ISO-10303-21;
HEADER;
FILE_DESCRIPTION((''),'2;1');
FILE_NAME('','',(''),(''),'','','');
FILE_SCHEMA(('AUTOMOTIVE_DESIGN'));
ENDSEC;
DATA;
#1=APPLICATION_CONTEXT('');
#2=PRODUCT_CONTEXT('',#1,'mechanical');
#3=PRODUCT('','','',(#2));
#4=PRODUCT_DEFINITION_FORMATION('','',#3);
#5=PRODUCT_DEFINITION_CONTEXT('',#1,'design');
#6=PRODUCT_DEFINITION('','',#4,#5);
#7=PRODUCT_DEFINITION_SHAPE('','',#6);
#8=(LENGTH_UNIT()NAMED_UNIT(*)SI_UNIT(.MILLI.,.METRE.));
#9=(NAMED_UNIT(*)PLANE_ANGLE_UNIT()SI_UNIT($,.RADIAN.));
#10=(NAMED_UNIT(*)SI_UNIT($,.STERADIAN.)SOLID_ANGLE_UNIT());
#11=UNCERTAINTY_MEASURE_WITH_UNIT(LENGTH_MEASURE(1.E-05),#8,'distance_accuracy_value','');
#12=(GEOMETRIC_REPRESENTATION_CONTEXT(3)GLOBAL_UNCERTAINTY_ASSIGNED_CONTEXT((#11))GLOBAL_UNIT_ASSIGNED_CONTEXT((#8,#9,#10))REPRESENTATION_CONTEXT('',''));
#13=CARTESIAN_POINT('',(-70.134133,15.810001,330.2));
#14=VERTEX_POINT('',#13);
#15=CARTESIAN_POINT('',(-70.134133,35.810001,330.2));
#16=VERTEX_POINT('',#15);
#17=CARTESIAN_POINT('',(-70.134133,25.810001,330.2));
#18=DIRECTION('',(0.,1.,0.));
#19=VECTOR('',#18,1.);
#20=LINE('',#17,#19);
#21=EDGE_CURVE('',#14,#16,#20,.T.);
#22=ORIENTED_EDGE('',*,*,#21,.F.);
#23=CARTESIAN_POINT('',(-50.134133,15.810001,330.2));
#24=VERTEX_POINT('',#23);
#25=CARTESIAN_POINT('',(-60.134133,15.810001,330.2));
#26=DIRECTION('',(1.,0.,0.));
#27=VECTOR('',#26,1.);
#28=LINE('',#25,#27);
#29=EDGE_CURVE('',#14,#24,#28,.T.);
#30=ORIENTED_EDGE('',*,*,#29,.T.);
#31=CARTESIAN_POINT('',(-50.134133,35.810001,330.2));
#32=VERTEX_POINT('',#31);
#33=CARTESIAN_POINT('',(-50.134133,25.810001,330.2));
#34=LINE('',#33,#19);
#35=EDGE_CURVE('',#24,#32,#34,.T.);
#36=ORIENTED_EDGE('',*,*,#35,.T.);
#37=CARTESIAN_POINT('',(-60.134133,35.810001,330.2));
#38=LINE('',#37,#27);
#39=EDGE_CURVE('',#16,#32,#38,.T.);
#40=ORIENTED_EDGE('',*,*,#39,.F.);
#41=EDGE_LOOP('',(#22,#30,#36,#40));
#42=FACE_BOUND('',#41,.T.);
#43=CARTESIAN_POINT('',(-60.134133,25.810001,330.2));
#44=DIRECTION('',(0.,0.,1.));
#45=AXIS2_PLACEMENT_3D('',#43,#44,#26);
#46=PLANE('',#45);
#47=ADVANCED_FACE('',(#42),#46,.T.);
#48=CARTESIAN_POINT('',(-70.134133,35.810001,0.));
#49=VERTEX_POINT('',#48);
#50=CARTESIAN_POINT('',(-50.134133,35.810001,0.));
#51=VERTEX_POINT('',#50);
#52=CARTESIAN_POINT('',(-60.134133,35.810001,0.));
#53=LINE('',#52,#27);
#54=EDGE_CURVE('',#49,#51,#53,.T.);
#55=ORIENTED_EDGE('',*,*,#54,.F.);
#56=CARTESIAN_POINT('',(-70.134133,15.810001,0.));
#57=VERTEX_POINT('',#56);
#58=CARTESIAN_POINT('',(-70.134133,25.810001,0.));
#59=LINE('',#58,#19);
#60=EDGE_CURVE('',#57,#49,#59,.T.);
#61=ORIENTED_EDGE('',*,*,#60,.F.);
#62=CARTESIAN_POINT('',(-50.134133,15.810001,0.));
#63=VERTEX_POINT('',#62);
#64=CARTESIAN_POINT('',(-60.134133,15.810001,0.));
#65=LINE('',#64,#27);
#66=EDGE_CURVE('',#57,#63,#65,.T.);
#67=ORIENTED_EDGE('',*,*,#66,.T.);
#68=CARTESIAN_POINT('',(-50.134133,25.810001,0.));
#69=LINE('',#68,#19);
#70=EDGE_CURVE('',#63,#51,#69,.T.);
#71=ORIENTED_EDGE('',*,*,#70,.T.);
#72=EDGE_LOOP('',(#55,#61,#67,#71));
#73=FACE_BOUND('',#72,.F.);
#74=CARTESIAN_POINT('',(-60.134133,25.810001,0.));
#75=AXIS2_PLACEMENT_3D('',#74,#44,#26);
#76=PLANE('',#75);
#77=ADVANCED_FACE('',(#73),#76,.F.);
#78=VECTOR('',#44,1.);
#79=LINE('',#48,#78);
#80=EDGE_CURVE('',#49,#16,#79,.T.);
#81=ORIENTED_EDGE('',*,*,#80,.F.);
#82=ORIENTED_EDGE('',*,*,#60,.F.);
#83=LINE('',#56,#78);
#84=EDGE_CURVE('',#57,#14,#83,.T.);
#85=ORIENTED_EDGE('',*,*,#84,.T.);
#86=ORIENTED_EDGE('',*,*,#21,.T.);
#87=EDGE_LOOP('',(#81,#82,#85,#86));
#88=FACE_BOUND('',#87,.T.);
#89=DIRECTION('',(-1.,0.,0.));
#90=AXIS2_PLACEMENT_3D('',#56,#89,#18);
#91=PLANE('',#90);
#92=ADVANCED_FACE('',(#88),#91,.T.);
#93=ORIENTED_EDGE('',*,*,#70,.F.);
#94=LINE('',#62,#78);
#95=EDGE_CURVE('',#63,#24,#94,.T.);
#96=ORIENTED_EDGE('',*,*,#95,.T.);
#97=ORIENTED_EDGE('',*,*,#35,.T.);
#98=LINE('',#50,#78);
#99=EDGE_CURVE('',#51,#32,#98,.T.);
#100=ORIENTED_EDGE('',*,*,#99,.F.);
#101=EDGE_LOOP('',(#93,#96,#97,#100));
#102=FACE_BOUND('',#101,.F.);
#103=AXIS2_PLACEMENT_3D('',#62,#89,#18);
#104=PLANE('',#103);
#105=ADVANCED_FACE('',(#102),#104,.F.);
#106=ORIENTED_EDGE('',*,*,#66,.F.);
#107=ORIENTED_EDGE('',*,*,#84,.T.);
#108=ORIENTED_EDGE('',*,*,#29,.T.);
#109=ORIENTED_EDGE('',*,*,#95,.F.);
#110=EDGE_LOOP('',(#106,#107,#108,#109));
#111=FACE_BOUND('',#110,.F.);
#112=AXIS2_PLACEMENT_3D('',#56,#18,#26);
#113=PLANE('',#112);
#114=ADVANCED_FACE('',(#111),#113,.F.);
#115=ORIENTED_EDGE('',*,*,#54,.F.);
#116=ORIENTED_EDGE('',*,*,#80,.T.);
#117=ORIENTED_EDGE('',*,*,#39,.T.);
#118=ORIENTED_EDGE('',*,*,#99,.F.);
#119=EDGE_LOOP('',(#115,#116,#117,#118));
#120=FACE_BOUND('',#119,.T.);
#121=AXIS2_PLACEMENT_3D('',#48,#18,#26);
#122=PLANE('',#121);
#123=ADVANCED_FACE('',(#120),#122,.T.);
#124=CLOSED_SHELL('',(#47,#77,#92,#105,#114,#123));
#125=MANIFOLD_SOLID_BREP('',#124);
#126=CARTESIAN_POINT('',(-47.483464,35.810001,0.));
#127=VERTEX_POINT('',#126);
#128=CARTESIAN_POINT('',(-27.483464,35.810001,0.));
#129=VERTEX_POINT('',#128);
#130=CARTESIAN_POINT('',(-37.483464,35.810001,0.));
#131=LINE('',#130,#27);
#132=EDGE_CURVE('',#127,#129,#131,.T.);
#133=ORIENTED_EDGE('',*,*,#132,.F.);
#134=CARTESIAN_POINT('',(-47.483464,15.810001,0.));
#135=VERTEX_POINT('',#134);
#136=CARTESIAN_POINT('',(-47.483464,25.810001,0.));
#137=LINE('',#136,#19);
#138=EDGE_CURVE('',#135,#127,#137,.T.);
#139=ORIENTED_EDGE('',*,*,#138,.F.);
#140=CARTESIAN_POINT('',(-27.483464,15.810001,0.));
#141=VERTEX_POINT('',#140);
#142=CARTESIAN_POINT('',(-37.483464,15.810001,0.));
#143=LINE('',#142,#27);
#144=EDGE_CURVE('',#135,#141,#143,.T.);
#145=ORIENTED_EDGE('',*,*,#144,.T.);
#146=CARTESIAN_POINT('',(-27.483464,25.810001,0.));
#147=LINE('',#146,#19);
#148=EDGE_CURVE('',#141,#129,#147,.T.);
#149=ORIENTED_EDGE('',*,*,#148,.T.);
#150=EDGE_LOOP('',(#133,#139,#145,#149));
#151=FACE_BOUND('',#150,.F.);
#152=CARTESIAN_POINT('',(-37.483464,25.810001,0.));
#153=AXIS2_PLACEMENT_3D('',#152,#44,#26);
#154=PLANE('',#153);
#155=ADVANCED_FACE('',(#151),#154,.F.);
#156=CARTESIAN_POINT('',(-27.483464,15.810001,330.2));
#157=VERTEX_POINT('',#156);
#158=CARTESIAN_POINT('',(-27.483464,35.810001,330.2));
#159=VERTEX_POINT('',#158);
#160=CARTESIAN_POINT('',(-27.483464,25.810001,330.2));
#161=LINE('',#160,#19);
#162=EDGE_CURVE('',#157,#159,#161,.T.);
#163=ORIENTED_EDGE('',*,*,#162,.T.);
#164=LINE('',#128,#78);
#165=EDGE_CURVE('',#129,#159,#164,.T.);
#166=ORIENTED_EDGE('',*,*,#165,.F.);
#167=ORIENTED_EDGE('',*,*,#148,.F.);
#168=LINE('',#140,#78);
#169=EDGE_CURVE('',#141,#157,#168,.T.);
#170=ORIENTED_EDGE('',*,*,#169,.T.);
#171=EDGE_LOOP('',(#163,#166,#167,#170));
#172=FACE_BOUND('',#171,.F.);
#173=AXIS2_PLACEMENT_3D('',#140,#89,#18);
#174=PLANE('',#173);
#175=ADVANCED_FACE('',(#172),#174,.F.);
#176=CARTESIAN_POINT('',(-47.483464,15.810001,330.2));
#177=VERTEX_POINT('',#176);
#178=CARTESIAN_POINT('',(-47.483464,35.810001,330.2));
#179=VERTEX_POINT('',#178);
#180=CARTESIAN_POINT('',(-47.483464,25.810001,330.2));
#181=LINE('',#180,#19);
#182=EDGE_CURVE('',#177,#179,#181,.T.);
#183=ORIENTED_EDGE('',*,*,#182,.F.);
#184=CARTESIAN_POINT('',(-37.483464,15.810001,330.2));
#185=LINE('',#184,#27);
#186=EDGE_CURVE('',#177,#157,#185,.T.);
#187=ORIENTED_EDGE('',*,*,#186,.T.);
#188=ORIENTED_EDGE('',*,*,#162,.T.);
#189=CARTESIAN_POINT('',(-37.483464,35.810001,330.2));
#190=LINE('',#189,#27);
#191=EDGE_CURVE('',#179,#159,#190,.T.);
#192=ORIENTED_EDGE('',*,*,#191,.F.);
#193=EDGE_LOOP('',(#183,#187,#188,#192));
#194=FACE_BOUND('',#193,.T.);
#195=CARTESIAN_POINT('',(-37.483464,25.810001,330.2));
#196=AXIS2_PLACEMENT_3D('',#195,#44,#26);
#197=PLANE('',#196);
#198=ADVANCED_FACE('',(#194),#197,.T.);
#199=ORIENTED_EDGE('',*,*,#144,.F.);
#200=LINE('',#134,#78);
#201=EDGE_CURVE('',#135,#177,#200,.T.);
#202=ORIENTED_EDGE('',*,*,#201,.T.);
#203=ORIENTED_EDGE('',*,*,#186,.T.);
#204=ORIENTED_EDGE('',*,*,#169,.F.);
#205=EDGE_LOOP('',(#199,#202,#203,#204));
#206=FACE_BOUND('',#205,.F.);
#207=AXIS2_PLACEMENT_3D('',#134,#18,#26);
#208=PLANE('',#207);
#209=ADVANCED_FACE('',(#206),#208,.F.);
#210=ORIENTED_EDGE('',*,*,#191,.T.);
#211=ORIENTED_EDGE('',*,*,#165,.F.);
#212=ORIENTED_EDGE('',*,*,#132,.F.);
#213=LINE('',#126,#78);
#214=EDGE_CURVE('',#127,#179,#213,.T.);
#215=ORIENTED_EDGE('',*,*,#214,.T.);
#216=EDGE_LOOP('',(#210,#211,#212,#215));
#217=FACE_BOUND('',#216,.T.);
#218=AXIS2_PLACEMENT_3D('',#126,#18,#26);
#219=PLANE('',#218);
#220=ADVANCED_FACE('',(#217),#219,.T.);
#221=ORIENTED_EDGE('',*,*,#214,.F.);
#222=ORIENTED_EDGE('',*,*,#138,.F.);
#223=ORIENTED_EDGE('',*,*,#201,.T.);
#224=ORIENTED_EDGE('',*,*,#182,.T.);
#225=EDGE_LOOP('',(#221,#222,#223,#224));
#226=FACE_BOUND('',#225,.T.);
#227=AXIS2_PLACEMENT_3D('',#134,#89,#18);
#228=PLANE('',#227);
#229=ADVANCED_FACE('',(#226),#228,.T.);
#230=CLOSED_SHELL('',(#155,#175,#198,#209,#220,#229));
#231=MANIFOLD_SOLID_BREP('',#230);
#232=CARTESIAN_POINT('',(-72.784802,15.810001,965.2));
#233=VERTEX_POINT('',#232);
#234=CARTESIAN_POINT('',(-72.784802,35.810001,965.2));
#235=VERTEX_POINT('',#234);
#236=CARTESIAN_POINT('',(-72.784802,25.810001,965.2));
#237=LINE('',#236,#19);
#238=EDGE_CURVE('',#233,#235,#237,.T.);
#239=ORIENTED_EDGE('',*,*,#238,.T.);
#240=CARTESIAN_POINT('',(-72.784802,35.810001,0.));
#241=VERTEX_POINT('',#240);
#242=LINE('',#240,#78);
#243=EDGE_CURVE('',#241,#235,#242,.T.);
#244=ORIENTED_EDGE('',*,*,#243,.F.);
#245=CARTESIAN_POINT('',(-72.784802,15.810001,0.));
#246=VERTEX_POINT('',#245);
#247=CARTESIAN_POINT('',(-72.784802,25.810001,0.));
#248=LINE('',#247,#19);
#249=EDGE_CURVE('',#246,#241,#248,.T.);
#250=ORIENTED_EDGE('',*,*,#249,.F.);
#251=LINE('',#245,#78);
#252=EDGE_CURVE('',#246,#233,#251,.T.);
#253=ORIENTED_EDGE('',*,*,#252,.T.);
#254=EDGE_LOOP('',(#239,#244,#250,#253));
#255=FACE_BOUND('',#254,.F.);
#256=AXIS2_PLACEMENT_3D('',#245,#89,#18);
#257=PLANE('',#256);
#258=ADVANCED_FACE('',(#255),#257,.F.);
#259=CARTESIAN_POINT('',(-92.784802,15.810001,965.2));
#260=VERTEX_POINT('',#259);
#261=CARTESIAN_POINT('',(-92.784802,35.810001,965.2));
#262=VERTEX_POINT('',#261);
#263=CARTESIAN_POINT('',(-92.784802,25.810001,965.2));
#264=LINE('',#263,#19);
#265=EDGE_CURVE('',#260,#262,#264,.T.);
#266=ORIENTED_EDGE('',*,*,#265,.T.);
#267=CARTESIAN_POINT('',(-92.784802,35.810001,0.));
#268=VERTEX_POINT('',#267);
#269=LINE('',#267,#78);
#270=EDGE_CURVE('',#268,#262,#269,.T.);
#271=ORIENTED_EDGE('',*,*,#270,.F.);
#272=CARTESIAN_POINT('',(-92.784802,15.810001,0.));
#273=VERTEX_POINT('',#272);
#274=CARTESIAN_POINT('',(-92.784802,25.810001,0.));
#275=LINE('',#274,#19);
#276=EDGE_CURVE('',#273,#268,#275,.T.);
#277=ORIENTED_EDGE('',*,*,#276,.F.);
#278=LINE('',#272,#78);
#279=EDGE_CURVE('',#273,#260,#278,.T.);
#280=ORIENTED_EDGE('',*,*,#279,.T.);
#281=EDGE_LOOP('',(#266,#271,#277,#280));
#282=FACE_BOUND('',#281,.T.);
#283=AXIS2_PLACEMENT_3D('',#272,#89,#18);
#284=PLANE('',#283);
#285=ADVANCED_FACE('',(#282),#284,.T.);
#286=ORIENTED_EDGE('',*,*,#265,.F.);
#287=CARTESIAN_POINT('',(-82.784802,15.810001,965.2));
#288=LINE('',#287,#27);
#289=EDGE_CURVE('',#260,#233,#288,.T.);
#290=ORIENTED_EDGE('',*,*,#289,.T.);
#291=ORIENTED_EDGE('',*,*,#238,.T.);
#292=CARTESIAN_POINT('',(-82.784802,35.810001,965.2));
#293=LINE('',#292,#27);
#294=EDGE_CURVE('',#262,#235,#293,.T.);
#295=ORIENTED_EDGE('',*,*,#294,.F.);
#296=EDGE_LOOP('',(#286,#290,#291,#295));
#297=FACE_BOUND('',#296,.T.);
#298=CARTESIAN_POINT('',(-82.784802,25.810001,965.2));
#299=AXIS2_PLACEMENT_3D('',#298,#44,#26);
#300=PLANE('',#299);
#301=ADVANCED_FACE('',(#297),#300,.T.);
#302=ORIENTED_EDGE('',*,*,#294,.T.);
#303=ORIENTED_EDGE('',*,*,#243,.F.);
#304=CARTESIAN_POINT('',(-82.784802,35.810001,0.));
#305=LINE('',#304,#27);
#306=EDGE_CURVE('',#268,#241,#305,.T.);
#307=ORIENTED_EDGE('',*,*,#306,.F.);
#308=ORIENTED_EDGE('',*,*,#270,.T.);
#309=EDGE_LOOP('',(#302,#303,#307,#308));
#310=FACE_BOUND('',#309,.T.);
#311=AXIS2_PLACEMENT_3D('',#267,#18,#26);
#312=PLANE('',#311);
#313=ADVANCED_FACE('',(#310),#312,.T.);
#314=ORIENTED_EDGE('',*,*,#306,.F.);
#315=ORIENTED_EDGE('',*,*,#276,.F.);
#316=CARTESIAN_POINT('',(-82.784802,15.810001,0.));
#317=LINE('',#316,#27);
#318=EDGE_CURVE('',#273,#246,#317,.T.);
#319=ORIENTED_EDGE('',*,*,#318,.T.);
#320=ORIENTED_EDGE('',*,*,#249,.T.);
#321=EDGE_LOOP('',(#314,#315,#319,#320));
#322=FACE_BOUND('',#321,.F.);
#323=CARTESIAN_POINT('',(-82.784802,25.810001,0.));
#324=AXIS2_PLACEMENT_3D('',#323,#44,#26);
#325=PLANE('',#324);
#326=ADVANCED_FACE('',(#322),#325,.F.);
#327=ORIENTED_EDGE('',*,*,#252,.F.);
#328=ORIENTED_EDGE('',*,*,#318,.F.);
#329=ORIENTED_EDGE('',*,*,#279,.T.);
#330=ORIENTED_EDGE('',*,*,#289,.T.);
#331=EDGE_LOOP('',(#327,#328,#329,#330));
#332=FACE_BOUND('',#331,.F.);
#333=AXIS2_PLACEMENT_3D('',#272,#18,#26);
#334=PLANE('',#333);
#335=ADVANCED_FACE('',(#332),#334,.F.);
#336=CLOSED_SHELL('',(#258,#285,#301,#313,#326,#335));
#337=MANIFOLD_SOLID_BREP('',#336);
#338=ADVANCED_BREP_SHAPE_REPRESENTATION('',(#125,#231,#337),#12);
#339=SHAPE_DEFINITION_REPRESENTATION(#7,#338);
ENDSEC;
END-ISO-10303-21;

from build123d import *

# Parameters (mm, degrees)
F4_W     = 20
F4_H     = 20
F5_DEPTH = 965.2
F6_DEPTH = 330.2
F7_DEPTH = 330.2


with BuildPart() as f5:
    # F4 (on Top) → F5 (new body)
    with BuildSketch(Plane.XY):
        with Locations((-82.7848015636, 25.810001418)):
            Rectangle(F4_W, F4_H)
    extrude(amount=F5_DEPTH)


with BuildPart() as f6:
    # F4 (on Top) → F6 (new body)
    with BuildSketch(Plane.XY):
        with Locations((-60.1341330118, 25.810001418)):
            Rectangle(F4_W, F4_H)
    extrude(amount=F6_DEPTH)


with BuildPart() as f7:
    # F4 (on Top) → F7 (new body)
    with BuildSketch(Plane.XY):
        with Locations((-37.4834644599, 25.810001418)):
            Rectangle(F4_W, F4_H)
    extrude(amount=F7_DEPTH)


solid = Compound([f5.part, f6.part, f7.part])
